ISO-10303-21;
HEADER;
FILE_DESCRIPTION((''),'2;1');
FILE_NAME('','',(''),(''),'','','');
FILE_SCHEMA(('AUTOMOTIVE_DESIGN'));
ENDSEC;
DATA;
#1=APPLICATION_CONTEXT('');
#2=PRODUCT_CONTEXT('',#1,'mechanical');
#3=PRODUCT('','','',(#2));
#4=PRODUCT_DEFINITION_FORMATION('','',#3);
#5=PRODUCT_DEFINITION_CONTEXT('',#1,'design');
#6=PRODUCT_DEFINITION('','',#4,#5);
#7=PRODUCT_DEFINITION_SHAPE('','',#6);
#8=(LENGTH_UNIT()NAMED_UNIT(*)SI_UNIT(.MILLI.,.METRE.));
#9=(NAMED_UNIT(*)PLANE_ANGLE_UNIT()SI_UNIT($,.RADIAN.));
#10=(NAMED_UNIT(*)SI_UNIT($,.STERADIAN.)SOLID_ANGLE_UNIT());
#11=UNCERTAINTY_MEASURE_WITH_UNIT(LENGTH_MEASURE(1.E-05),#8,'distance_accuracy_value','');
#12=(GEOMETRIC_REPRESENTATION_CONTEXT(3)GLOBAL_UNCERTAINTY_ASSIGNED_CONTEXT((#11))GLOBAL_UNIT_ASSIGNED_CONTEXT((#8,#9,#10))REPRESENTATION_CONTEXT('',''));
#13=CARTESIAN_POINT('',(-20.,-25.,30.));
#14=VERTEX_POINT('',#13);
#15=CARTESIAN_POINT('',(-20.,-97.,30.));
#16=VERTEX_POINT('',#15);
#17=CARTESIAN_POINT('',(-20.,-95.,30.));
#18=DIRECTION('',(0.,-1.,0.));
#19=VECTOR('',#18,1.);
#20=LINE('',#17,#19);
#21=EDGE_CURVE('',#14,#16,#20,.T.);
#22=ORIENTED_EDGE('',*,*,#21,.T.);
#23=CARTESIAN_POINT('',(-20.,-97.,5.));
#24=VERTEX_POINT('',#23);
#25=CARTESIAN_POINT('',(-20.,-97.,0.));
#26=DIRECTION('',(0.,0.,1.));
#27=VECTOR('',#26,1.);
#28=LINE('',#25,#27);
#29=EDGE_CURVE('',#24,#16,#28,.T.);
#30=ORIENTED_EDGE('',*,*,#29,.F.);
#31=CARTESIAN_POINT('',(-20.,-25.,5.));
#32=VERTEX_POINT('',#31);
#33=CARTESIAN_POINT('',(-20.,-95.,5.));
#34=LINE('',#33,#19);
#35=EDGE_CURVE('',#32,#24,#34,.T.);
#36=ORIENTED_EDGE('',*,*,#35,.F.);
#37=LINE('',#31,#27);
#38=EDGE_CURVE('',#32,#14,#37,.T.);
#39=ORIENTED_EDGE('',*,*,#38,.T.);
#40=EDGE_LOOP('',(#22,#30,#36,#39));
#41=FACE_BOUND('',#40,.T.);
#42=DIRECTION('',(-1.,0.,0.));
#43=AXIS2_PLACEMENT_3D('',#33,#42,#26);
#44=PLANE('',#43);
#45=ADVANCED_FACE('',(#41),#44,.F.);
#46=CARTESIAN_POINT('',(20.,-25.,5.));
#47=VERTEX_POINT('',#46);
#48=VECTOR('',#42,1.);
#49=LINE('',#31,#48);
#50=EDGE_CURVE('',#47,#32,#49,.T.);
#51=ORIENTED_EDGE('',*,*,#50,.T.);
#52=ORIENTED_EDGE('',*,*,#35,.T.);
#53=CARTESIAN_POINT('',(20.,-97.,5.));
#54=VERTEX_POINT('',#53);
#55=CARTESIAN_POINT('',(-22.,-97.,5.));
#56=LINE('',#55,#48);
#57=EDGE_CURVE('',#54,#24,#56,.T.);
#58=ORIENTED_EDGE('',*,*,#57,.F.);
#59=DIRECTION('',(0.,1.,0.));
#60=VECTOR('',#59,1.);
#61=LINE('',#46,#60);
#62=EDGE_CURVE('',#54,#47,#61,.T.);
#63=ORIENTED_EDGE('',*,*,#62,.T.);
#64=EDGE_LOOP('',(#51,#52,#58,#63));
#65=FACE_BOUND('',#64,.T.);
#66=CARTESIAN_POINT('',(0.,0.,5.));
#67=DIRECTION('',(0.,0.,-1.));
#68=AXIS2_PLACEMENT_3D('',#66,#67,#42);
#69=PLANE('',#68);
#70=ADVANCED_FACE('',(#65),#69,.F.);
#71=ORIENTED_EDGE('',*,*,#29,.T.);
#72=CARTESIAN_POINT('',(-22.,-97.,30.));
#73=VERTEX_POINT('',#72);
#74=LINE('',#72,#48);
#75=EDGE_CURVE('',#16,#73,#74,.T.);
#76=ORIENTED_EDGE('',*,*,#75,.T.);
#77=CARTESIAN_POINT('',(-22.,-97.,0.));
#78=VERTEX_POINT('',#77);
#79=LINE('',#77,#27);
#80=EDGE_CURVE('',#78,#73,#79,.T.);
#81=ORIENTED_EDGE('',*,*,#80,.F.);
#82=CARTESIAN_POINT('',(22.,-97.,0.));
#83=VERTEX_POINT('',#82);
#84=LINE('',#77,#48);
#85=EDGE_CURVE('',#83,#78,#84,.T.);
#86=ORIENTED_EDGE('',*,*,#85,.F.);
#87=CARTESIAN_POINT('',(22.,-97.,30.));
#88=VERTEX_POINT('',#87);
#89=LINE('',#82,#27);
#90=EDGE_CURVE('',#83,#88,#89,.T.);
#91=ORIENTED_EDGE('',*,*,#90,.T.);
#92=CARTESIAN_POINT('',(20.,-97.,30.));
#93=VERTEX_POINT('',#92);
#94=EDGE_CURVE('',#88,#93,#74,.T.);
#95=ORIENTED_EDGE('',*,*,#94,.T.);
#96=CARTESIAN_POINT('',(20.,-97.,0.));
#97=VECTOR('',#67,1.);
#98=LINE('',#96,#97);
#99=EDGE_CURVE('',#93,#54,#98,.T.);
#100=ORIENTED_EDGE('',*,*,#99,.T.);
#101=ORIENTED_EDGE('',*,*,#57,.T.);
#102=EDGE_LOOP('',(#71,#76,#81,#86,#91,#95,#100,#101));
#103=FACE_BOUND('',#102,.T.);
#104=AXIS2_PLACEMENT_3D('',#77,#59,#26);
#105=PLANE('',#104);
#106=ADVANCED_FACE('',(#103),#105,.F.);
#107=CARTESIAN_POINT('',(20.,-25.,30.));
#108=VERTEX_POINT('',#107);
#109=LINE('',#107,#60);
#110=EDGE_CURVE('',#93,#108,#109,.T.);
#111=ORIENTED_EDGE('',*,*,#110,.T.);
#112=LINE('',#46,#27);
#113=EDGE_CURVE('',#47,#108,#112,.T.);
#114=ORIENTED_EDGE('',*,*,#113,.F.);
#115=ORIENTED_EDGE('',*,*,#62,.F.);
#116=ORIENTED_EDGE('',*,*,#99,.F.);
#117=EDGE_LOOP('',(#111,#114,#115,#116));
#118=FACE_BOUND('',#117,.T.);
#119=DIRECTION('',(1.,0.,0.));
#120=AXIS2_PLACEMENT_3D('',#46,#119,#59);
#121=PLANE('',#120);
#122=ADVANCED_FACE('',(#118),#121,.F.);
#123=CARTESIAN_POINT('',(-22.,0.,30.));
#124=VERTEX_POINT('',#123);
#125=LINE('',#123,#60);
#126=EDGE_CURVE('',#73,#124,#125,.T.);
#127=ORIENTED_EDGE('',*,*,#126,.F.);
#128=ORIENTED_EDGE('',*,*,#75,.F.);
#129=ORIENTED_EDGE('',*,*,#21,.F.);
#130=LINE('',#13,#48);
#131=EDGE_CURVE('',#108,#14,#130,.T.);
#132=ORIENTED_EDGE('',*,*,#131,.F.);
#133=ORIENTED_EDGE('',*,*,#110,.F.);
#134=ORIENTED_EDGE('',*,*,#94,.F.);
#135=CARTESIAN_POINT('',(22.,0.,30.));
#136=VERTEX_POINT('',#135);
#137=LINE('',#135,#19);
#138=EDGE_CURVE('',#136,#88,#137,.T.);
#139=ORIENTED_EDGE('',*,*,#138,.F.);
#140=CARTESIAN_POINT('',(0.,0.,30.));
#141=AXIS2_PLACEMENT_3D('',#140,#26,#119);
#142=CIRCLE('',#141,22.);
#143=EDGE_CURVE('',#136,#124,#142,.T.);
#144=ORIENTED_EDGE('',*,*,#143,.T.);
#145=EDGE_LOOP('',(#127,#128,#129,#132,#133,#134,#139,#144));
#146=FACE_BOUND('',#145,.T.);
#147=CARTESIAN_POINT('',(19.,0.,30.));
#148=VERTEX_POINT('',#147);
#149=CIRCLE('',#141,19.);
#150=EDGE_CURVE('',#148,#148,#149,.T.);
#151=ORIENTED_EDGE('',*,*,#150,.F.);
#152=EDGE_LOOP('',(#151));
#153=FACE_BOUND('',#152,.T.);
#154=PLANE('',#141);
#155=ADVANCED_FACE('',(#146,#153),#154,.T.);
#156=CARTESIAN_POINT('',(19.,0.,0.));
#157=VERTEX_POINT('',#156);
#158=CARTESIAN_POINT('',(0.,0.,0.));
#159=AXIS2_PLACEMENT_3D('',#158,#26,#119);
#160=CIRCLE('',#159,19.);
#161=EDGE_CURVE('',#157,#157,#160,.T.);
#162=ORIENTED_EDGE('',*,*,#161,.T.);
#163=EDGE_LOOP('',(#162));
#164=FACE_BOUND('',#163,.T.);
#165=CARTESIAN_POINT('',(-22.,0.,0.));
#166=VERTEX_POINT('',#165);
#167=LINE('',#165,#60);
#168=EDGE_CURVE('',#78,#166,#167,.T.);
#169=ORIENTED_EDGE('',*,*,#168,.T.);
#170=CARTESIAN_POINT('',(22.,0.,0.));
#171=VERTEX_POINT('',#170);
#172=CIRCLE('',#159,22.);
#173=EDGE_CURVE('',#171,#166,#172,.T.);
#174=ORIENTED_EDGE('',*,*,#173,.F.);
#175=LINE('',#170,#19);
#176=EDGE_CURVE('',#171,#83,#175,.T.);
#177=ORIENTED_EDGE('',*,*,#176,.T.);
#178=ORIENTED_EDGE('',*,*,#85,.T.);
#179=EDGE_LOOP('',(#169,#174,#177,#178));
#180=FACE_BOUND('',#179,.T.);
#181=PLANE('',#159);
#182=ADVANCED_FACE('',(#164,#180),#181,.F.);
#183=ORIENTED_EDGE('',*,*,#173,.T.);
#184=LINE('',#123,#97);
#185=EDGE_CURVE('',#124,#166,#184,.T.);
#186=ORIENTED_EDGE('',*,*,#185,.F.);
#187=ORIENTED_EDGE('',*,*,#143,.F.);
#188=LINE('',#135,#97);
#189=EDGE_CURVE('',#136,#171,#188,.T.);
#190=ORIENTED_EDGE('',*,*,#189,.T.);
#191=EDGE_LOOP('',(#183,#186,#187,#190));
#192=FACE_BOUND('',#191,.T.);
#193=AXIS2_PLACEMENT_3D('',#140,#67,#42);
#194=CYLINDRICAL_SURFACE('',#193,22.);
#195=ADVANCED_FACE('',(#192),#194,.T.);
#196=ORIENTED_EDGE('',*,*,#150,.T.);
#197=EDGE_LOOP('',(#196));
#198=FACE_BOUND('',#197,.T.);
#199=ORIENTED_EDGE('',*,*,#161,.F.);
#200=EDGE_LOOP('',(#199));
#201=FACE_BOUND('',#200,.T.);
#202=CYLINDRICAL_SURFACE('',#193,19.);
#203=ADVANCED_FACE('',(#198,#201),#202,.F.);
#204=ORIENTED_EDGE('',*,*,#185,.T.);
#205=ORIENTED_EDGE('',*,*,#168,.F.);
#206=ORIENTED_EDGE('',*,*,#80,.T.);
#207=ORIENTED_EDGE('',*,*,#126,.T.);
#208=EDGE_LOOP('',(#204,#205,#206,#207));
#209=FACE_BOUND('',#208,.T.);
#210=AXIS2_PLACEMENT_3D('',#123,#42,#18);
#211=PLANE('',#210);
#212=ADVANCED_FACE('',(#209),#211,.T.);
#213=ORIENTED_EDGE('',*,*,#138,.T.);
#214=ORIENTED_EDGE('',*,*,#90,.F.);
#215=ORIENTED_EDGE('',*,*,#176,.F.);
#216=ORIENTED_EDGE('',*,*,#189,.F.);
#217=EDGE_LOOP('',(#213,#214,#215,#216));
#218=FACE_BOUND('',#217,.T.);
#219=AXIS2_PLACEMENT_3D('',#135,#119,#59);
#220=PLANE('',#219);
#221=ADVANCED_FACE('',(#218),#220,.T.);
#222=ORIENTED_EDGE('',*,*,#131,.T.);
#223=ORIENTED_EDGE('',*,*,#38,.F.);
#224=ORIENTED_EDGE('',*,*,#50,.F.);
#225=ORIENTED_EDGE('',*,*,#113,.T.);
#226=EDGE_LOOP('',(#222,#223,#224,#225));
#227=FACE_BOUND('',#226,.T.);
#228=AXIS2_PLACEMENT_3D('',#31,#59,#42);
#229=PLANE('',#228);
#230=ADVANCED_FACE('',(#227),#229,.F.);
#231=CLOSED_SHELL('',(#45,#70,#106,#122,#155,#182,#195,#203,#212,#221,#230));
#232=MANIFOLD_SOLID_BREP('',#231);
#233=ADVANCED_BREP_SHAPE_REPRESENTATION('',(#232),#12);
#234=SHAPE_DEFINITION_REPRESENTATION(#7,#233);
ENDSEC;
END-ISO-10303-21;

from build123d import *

# Parameters (mm, degrees)
SKETCH1_R           = 22
SKETCH1_R_2         = 19
BOSS_EXTRUDE1_DEPTH = 30
SKETCH2_W           = 40
SKETCH2_H           = 70
CUT_EXTRUDE1_DEPTH  = 25
SKETCH3_W           = 44
SKETCH3_H           = 13
CUT_EXTRUDE2_DEPTH  = 117.120626936
SKETCH4_W           = 40
SKETCH4_H           = 25
CUT_EXTRUDE3_DEPTH  = 25


with BuildPart() as part:
    # Sketch1 → Boss-Extrude1 (new body)
    # profile 1 of 2: a face of its own
    with BuildSketch(Plane.XY):
        Circle(SKETCH1_R)
        Circle(SKETCH1_R_2, mode=Mode.SUBTRACT)
    # profile 2 of 2: a face of its own
    with BuildSketch(Plane.XY):
        with BuildLine():
            Line((22, -110), (22, 0))
            ThreePointArc((22, 0), (0, -22), (-22, 0))
            Line((-22, 0), (-22, -110))
            Line((-22, -110), (22, -110))
        make_face()
    extrude(amount=BOSS_EXTRUDE1_DEPTH)

    # Sketch2 → Cut-Extrude1 (cut)
    with BuildSketch(Plane.XY.offset(30)):
        with Locations((0, -60)):
            Rectangle(SKETCH2_W, SKETCH2_H)
    extrude(amount=-CUT_EXTRUDE1_DEPTH, mode=Mode.SUBTRACT)

    # Sketch3 → Cut-Extrude2 (cut, through all)
    with BuildSketch(Plane.XY.offset(30)):
        with Locations((0, -103.5)):
            Rectangle(SKETCH3_W, SKETCH3_H)
    extrude(amount=-CUT_EXTRUDE2_DEPTH, mode=Mode.SUBTRACT)

    # Sketch4 → Cut-Extrude3 (cut)
    with BuildSketch(Plane(origin=(0, -95, 0), x_dir=(1, 0, 0), z_dir=(0, 1, 0))):
        with Locations((0, -17.5)):
            Rectangle(SKETCH4_W, SKETCH4_H)
    extrude(amount=-CUT_EXTRUDE3_DEPTH, mode=Mode.SUBTRACT)


solid = part.part
